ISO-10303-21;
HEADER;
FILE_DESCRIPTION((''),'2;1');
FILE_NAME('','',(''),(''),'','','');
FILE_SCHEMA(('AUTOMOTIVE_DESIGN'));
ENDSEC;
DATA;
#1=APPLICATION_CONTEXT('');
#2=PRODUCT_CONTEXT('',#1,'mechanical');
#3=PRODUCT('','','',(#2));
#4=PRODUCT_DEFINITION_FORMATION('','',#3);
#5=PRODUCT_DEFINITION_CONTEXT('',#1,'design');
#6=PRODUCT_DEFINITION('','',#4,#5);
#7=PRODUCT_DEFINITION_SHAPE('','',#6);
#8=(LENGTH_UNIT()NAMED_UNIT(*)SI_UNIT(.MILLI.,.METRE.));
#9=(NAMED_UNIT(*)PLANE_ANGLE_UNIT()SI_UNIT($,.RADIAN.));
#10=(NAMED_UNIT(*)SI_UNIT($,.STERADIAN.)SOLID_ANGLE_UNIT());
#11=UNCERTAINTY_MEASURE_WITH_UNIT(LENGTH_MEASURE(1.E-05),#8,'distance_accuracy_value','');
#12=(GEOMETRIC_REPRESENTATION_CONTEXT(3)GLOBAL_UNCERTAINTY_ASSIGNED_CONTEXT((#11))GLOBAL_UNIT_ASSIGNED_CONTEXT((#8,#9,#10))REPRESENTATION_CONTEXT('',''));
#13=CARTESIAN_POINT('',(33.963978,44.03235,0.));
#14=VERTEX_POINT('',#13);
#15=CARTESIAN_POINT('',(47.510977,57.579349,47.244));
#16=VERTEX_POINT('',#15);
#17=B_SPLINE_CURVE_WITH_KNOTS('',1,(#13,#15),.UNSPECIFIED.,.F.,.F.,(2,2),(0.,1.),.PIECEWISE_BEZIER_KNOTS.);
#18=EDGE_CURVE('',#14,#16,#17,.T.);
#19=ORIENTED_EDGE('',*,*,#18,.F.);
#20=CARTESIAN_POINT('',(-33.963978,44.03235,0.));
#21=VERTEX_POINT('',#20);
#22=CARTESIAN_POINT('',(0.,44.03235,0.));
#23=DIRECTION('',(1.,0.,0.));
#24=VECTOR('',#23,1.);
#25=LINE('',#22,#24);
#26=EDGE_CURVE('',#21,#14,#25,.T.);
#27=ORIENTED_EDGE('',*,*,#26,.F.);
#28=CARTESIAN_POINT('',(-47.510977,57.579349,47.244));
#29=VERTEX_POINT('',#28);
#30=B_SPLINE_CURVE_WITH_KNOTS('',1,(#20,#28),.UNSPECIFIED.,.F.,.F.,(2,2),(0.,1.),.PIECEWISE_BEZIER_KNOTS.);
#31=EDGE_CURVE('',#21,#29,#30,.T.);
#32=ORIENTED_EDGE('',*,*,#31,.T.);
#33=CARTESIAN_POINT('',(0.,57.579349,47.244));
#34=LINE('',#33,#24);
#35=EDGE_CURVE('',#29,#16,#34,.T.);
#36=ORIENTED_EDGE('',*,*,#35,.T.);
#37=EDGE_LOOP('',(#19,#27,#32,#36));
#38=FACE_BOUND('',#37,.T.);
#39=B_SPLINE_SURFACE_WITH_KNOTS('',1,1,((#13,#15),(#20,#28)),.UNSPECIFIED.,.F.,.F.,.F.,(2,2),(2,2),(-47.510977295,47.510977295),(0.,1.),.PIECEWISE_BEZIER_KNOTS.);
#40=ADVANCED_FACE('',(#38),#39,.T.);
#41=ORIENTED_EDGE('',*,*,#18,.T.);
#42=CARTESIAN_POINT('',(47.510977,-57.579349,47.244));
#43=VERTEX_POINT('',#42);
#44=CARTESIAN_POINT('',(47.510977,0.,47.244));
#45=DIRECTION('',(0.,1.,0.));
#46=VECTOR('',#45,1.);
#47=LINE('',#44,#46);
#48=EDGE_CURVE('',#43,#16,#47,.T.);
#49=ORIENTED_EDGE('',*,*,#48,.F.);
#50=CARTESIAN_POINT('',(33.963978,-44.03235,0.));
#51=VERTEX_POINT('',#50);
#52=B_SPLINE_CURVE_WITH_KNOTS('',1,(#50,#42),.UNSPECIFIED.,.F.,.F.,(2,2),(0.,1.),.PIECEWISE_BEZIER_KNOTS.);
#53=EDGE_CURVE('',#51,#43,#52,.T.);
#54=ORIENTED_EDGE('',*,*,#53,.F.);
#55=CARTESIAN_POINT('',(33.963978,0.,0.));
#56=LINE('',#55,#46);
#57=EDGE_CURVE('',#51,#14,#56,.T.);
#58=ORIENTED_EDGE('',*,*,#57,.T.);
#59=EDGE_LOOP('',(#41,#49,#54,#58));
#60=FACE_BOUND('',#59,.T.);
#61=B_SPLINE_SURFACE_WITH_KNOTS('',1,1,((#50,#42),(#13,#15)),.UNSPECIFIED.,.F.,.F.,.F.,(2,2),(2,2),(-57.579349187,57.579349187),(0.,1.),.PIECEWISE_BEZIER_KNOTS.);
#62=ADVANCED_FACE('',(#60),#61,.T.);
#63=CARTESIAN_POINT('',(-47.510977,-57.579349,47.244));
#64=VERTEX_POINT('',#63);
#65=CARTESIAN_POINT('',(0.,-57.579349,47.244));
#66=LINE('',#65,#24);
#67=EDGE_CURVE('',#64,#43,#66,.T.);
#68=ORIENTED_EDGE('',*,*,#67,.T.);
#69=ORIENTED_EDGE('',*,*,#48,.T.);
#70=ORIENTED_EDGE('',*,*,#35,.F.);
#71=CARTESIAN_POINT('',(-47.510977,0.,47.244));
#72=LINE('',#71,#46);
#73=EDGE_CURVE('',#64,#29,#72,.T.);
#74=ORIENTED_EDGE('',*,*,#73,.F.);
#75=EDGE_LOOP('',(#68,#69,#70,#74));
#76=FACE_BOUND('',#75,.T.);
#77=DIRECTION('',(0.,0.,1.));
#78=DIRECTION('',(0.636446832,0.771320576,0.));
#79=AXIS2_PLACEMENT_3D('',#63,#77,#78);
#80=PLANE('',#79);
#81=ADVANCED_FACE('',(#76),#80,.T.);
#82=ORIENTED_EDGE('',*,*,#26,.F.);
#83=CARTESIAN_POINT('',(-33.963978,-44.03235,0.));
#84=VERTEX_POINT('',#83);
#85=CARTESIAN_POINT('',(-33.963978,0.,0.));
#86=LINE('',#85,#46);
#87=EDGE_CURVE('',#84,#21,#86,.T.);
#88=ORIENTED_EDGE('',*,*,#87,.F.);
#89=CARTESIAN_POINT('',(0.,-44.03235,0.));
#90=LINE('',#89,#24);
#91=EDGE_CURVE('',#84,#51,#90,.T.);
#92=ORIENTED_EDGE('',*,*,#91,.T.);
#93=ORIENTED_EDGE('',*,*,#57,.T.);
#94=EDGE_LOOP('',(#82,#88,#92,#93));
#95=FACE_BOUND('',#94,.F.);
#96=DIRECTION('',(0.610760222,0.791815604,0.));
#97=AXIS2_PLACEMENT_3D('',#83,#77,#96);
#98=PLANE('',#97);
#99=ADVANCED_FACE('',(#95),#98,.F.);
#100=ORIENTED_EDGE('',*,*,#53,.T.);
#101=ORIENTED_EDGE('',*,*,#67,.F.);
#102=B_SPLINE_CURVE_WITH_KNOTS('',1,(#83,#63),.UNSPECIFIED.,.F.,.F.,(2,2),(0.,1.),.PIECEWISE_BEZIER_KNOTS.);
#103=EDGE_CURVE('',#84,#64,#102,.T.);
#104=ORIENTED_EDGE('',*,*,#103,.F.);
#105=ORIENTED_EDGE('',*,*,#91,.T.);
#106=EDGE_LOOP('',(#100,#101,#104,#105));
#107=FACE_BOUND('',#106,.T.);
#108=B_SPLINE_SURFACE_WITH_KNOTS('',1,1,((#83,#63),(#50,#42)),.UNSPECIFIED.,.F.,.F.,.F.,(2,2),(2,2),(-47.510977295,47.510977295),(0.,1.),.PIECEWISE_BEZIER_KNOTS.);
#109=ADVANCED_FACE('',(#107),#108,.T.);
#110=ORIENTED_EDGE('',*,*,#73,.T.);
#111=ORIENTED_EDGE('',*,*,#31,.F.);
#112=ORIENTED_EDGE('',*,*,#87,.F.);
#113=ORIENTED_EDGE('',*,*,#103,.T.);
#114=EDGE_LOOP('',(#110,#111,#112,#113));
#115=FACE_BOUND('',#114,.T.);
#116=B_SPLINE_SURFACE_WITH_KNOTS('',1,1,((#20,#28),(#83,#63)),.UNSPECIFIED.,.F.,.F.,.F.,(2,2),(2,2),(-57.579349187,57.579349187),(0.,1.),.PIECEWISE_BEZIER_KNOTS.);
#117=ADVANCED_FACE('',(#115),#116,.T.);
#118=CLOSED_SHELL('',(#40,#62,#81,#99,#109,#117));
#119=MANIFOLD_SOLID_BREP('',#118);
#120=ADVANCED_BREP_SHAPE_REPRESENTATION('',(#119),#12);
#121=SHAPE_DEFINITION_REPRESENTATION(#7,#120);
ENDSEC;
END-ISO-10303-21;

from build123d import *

# Parameters (mm, degrees)
F0_W     = 67.9279565811
F0_H     = 88.0647003651
F1_DEPTH = 47.244
F1_TAPER = -16
F2_DEPTH = 25.4


with BuildPart() as f1:
    # F0 (on Top) → F1 (new body)
    with BuildSketch(Plane.XY):
        Rectangle(F0_W, F0_H)
    extrude(amount=F1_DEPTH, taper=F1_TAPER)

    # F0 (on Top) → F2 (join)
    with BuildSketch(Plane.XY):
        Rectangle(F0_W, F0_H)
    extrude(amount=F2_DEPTH)


solid = f1.part
